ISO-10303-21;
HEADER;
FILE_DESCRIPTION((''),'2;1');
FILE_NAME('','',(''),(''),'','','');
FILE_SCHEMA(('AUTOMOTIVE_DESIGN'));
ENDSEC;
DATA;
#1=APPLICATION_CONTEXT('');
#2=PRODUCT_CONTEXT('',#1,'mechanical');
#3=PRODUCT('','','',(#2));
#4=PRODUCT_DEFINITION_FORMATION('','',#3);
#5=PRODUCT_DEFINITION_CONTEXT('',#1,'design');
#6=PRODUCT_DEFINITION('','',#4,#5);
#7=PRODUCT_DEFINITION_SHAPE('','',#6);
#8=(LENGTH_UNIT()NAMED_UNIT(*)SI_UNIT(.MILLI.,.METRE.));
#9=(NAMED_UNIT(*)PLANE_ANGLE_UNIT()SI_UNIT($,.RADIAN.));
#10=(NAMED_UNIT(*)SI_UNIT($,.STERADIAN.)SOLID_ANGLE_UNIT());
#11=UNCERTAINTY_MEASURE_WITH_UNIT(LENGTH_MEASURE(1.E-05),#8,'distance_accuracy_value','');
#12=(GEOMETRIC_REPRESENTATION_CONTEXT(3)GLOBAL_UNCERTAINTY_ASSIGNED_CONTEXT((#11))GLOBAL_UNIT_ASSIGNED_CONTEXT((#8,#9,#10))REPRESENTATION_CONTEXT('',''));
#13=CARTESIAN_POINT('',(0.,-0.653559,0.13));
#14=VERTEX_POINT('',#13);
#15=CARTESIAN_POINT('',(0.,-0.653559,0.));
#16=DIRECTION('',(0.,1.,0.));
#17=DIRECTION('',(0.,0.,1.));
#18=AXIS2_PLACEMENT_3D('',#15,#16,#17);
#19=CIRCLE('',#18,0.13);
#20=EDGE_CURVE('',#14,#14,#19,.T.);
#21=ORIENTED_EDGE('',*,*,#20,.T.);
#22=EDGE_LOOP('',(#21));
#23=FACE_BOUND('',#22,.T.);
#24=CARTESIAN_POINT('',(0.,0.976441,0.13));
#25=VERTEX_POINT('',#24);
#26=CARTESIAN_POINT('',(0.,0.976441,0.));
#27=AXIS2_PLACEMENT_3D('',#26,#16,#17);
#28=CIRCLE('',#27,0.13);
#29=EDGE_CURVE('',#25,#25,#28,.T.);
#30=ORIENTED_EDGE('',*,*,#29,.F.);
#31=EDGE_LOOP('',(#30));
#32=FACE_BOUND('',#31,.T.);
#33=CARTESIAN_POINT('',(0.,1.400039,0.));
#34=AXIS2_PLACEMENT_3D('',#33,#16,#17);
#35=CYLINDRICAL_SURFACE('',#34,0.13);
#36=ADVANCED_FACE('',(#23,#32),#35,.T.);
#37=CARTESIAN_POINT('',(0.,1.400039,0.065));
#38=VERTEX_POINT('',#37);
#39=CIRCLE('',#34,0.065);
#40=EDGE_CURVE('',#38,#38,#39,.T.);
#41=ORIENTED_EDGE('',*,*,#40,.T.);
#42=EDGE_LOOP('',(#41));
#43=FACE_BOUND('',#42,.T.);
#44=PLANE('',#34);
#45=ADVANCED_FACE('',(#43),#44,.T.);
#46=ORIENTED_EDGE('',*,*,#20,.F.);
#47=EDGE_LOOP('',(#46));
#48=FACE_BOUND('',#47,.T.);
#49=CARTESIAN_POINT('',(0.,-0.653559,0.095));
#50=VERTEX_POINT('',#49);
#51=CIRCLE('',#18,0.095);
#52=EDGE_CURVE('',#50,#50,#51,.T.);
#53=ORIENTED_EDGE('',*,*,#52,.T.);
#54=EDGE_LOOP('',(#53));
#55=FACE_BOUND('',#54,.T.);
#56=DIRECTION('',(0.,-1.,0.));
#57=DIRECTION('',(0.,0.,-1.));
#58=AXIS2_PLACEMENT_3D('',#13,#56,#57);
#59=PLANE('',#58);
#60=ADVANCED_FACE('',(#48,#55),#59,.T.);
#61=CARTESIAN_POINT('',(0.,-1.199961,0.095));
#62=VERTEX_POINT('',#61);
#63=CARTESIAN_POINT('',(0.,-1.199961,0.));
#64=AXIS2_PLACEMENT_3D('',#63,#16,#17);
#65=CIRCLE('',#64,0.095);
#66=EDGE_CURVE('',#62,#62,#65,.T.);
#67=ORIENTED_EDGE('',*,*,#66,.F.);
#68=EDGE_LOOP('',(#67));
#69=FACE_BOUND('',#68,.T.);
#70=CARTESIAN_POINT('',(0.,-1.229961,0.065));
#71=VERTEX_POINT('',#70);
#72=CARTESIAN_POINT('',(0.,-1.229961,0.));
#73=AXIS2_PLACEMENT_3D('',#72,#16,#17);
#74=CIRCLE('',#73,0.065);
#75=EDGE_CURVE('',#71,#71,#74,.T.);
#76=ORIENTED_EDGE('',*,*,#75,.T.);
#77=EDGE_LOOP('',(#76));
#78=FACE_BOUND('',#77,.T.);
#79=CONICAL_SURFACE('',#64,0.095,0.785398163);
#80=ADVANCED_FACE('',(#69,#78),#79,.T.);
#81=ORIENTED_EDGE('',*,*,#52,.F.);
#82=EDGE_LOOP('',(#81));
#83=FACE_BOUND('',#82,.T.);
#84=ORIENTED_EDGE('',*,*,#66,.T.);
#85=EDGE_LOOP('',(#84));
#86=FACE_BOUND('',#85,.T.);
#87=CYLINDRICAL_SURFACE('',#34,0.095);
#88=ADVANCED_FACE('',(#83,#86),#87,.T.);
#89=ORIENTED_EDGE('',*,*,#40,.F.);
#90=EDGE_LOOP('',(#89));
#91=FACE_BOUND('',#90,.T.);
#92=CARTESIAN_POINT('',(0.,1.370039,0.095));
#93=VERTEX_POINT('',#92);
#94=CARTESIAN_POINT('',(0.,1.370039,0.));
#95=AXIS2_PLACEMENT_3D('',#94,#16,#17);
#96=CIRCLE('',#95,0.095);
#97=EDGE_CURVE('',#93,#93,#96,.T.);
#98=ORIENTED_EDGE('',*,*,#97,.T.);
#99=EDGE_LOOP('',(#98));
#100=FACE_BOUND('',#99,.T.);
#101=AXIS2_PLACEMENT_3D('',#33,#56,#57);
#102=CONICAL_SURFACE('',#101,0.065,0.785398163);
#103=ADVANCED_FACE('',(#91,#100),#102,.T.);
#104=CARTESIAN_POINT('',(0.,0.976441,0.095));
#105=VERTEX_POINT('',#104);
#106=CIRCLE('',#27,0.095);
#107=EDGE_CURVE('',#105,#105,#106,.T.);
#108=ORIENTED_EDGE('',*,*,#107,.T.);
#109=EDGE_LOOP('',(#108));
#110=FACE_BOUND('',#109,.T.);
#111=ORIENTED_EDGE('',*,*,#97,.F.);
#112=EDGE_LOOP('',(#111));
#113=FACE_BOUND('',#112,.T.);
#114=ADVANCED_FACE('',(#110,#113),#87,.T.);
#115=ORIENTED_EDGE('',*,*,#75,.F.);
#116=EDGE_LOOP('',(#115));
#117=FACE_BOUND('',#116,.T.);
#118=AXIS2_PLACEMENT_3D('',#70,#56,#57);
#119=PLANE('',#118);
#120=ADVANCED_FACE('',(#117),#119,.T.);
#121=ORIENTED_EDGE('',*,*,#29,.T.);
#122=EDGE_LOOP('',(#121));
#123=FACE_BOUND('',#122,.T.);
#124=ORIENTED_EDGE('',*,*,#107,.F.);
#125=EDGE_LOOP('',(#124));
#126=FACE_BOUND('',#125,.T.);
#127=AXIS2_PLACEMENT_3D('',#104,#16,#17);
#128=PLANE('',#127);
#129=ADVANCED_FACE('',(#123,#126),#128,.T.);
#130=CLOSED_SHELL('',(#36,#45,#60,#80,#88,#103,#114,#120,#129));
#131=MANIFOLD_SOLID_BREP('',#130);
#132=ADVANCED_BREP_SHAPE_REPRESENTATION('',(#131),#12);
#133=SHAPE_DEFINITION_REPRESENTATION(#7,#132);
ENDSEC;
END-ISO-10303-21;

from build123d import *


with BuildPart() as part:
    # Sketch1 → Revolve1 (revolve)
    with BuildSketch(Plane(origin=(0, 0, 0), x_dir=(0, 0, -1), z_dir=(1, 0, 0))):
        Polygon((0, 1.400039432), (-0.065, 1.400039432), (-0.095, 1.370039432), (-0.095, 0.976440754), (-0.13, 0.976440754), (-0.13, -0.653559246), (-0.095, -0.653559246), (-0.095, -1.199960568), (-0.065, -1.229960568), (0, -1.229960568), align=None)
    revolve(axis=Axis((0, 1.400039432, 0), (0, -1, 0)))


solid = part.part
